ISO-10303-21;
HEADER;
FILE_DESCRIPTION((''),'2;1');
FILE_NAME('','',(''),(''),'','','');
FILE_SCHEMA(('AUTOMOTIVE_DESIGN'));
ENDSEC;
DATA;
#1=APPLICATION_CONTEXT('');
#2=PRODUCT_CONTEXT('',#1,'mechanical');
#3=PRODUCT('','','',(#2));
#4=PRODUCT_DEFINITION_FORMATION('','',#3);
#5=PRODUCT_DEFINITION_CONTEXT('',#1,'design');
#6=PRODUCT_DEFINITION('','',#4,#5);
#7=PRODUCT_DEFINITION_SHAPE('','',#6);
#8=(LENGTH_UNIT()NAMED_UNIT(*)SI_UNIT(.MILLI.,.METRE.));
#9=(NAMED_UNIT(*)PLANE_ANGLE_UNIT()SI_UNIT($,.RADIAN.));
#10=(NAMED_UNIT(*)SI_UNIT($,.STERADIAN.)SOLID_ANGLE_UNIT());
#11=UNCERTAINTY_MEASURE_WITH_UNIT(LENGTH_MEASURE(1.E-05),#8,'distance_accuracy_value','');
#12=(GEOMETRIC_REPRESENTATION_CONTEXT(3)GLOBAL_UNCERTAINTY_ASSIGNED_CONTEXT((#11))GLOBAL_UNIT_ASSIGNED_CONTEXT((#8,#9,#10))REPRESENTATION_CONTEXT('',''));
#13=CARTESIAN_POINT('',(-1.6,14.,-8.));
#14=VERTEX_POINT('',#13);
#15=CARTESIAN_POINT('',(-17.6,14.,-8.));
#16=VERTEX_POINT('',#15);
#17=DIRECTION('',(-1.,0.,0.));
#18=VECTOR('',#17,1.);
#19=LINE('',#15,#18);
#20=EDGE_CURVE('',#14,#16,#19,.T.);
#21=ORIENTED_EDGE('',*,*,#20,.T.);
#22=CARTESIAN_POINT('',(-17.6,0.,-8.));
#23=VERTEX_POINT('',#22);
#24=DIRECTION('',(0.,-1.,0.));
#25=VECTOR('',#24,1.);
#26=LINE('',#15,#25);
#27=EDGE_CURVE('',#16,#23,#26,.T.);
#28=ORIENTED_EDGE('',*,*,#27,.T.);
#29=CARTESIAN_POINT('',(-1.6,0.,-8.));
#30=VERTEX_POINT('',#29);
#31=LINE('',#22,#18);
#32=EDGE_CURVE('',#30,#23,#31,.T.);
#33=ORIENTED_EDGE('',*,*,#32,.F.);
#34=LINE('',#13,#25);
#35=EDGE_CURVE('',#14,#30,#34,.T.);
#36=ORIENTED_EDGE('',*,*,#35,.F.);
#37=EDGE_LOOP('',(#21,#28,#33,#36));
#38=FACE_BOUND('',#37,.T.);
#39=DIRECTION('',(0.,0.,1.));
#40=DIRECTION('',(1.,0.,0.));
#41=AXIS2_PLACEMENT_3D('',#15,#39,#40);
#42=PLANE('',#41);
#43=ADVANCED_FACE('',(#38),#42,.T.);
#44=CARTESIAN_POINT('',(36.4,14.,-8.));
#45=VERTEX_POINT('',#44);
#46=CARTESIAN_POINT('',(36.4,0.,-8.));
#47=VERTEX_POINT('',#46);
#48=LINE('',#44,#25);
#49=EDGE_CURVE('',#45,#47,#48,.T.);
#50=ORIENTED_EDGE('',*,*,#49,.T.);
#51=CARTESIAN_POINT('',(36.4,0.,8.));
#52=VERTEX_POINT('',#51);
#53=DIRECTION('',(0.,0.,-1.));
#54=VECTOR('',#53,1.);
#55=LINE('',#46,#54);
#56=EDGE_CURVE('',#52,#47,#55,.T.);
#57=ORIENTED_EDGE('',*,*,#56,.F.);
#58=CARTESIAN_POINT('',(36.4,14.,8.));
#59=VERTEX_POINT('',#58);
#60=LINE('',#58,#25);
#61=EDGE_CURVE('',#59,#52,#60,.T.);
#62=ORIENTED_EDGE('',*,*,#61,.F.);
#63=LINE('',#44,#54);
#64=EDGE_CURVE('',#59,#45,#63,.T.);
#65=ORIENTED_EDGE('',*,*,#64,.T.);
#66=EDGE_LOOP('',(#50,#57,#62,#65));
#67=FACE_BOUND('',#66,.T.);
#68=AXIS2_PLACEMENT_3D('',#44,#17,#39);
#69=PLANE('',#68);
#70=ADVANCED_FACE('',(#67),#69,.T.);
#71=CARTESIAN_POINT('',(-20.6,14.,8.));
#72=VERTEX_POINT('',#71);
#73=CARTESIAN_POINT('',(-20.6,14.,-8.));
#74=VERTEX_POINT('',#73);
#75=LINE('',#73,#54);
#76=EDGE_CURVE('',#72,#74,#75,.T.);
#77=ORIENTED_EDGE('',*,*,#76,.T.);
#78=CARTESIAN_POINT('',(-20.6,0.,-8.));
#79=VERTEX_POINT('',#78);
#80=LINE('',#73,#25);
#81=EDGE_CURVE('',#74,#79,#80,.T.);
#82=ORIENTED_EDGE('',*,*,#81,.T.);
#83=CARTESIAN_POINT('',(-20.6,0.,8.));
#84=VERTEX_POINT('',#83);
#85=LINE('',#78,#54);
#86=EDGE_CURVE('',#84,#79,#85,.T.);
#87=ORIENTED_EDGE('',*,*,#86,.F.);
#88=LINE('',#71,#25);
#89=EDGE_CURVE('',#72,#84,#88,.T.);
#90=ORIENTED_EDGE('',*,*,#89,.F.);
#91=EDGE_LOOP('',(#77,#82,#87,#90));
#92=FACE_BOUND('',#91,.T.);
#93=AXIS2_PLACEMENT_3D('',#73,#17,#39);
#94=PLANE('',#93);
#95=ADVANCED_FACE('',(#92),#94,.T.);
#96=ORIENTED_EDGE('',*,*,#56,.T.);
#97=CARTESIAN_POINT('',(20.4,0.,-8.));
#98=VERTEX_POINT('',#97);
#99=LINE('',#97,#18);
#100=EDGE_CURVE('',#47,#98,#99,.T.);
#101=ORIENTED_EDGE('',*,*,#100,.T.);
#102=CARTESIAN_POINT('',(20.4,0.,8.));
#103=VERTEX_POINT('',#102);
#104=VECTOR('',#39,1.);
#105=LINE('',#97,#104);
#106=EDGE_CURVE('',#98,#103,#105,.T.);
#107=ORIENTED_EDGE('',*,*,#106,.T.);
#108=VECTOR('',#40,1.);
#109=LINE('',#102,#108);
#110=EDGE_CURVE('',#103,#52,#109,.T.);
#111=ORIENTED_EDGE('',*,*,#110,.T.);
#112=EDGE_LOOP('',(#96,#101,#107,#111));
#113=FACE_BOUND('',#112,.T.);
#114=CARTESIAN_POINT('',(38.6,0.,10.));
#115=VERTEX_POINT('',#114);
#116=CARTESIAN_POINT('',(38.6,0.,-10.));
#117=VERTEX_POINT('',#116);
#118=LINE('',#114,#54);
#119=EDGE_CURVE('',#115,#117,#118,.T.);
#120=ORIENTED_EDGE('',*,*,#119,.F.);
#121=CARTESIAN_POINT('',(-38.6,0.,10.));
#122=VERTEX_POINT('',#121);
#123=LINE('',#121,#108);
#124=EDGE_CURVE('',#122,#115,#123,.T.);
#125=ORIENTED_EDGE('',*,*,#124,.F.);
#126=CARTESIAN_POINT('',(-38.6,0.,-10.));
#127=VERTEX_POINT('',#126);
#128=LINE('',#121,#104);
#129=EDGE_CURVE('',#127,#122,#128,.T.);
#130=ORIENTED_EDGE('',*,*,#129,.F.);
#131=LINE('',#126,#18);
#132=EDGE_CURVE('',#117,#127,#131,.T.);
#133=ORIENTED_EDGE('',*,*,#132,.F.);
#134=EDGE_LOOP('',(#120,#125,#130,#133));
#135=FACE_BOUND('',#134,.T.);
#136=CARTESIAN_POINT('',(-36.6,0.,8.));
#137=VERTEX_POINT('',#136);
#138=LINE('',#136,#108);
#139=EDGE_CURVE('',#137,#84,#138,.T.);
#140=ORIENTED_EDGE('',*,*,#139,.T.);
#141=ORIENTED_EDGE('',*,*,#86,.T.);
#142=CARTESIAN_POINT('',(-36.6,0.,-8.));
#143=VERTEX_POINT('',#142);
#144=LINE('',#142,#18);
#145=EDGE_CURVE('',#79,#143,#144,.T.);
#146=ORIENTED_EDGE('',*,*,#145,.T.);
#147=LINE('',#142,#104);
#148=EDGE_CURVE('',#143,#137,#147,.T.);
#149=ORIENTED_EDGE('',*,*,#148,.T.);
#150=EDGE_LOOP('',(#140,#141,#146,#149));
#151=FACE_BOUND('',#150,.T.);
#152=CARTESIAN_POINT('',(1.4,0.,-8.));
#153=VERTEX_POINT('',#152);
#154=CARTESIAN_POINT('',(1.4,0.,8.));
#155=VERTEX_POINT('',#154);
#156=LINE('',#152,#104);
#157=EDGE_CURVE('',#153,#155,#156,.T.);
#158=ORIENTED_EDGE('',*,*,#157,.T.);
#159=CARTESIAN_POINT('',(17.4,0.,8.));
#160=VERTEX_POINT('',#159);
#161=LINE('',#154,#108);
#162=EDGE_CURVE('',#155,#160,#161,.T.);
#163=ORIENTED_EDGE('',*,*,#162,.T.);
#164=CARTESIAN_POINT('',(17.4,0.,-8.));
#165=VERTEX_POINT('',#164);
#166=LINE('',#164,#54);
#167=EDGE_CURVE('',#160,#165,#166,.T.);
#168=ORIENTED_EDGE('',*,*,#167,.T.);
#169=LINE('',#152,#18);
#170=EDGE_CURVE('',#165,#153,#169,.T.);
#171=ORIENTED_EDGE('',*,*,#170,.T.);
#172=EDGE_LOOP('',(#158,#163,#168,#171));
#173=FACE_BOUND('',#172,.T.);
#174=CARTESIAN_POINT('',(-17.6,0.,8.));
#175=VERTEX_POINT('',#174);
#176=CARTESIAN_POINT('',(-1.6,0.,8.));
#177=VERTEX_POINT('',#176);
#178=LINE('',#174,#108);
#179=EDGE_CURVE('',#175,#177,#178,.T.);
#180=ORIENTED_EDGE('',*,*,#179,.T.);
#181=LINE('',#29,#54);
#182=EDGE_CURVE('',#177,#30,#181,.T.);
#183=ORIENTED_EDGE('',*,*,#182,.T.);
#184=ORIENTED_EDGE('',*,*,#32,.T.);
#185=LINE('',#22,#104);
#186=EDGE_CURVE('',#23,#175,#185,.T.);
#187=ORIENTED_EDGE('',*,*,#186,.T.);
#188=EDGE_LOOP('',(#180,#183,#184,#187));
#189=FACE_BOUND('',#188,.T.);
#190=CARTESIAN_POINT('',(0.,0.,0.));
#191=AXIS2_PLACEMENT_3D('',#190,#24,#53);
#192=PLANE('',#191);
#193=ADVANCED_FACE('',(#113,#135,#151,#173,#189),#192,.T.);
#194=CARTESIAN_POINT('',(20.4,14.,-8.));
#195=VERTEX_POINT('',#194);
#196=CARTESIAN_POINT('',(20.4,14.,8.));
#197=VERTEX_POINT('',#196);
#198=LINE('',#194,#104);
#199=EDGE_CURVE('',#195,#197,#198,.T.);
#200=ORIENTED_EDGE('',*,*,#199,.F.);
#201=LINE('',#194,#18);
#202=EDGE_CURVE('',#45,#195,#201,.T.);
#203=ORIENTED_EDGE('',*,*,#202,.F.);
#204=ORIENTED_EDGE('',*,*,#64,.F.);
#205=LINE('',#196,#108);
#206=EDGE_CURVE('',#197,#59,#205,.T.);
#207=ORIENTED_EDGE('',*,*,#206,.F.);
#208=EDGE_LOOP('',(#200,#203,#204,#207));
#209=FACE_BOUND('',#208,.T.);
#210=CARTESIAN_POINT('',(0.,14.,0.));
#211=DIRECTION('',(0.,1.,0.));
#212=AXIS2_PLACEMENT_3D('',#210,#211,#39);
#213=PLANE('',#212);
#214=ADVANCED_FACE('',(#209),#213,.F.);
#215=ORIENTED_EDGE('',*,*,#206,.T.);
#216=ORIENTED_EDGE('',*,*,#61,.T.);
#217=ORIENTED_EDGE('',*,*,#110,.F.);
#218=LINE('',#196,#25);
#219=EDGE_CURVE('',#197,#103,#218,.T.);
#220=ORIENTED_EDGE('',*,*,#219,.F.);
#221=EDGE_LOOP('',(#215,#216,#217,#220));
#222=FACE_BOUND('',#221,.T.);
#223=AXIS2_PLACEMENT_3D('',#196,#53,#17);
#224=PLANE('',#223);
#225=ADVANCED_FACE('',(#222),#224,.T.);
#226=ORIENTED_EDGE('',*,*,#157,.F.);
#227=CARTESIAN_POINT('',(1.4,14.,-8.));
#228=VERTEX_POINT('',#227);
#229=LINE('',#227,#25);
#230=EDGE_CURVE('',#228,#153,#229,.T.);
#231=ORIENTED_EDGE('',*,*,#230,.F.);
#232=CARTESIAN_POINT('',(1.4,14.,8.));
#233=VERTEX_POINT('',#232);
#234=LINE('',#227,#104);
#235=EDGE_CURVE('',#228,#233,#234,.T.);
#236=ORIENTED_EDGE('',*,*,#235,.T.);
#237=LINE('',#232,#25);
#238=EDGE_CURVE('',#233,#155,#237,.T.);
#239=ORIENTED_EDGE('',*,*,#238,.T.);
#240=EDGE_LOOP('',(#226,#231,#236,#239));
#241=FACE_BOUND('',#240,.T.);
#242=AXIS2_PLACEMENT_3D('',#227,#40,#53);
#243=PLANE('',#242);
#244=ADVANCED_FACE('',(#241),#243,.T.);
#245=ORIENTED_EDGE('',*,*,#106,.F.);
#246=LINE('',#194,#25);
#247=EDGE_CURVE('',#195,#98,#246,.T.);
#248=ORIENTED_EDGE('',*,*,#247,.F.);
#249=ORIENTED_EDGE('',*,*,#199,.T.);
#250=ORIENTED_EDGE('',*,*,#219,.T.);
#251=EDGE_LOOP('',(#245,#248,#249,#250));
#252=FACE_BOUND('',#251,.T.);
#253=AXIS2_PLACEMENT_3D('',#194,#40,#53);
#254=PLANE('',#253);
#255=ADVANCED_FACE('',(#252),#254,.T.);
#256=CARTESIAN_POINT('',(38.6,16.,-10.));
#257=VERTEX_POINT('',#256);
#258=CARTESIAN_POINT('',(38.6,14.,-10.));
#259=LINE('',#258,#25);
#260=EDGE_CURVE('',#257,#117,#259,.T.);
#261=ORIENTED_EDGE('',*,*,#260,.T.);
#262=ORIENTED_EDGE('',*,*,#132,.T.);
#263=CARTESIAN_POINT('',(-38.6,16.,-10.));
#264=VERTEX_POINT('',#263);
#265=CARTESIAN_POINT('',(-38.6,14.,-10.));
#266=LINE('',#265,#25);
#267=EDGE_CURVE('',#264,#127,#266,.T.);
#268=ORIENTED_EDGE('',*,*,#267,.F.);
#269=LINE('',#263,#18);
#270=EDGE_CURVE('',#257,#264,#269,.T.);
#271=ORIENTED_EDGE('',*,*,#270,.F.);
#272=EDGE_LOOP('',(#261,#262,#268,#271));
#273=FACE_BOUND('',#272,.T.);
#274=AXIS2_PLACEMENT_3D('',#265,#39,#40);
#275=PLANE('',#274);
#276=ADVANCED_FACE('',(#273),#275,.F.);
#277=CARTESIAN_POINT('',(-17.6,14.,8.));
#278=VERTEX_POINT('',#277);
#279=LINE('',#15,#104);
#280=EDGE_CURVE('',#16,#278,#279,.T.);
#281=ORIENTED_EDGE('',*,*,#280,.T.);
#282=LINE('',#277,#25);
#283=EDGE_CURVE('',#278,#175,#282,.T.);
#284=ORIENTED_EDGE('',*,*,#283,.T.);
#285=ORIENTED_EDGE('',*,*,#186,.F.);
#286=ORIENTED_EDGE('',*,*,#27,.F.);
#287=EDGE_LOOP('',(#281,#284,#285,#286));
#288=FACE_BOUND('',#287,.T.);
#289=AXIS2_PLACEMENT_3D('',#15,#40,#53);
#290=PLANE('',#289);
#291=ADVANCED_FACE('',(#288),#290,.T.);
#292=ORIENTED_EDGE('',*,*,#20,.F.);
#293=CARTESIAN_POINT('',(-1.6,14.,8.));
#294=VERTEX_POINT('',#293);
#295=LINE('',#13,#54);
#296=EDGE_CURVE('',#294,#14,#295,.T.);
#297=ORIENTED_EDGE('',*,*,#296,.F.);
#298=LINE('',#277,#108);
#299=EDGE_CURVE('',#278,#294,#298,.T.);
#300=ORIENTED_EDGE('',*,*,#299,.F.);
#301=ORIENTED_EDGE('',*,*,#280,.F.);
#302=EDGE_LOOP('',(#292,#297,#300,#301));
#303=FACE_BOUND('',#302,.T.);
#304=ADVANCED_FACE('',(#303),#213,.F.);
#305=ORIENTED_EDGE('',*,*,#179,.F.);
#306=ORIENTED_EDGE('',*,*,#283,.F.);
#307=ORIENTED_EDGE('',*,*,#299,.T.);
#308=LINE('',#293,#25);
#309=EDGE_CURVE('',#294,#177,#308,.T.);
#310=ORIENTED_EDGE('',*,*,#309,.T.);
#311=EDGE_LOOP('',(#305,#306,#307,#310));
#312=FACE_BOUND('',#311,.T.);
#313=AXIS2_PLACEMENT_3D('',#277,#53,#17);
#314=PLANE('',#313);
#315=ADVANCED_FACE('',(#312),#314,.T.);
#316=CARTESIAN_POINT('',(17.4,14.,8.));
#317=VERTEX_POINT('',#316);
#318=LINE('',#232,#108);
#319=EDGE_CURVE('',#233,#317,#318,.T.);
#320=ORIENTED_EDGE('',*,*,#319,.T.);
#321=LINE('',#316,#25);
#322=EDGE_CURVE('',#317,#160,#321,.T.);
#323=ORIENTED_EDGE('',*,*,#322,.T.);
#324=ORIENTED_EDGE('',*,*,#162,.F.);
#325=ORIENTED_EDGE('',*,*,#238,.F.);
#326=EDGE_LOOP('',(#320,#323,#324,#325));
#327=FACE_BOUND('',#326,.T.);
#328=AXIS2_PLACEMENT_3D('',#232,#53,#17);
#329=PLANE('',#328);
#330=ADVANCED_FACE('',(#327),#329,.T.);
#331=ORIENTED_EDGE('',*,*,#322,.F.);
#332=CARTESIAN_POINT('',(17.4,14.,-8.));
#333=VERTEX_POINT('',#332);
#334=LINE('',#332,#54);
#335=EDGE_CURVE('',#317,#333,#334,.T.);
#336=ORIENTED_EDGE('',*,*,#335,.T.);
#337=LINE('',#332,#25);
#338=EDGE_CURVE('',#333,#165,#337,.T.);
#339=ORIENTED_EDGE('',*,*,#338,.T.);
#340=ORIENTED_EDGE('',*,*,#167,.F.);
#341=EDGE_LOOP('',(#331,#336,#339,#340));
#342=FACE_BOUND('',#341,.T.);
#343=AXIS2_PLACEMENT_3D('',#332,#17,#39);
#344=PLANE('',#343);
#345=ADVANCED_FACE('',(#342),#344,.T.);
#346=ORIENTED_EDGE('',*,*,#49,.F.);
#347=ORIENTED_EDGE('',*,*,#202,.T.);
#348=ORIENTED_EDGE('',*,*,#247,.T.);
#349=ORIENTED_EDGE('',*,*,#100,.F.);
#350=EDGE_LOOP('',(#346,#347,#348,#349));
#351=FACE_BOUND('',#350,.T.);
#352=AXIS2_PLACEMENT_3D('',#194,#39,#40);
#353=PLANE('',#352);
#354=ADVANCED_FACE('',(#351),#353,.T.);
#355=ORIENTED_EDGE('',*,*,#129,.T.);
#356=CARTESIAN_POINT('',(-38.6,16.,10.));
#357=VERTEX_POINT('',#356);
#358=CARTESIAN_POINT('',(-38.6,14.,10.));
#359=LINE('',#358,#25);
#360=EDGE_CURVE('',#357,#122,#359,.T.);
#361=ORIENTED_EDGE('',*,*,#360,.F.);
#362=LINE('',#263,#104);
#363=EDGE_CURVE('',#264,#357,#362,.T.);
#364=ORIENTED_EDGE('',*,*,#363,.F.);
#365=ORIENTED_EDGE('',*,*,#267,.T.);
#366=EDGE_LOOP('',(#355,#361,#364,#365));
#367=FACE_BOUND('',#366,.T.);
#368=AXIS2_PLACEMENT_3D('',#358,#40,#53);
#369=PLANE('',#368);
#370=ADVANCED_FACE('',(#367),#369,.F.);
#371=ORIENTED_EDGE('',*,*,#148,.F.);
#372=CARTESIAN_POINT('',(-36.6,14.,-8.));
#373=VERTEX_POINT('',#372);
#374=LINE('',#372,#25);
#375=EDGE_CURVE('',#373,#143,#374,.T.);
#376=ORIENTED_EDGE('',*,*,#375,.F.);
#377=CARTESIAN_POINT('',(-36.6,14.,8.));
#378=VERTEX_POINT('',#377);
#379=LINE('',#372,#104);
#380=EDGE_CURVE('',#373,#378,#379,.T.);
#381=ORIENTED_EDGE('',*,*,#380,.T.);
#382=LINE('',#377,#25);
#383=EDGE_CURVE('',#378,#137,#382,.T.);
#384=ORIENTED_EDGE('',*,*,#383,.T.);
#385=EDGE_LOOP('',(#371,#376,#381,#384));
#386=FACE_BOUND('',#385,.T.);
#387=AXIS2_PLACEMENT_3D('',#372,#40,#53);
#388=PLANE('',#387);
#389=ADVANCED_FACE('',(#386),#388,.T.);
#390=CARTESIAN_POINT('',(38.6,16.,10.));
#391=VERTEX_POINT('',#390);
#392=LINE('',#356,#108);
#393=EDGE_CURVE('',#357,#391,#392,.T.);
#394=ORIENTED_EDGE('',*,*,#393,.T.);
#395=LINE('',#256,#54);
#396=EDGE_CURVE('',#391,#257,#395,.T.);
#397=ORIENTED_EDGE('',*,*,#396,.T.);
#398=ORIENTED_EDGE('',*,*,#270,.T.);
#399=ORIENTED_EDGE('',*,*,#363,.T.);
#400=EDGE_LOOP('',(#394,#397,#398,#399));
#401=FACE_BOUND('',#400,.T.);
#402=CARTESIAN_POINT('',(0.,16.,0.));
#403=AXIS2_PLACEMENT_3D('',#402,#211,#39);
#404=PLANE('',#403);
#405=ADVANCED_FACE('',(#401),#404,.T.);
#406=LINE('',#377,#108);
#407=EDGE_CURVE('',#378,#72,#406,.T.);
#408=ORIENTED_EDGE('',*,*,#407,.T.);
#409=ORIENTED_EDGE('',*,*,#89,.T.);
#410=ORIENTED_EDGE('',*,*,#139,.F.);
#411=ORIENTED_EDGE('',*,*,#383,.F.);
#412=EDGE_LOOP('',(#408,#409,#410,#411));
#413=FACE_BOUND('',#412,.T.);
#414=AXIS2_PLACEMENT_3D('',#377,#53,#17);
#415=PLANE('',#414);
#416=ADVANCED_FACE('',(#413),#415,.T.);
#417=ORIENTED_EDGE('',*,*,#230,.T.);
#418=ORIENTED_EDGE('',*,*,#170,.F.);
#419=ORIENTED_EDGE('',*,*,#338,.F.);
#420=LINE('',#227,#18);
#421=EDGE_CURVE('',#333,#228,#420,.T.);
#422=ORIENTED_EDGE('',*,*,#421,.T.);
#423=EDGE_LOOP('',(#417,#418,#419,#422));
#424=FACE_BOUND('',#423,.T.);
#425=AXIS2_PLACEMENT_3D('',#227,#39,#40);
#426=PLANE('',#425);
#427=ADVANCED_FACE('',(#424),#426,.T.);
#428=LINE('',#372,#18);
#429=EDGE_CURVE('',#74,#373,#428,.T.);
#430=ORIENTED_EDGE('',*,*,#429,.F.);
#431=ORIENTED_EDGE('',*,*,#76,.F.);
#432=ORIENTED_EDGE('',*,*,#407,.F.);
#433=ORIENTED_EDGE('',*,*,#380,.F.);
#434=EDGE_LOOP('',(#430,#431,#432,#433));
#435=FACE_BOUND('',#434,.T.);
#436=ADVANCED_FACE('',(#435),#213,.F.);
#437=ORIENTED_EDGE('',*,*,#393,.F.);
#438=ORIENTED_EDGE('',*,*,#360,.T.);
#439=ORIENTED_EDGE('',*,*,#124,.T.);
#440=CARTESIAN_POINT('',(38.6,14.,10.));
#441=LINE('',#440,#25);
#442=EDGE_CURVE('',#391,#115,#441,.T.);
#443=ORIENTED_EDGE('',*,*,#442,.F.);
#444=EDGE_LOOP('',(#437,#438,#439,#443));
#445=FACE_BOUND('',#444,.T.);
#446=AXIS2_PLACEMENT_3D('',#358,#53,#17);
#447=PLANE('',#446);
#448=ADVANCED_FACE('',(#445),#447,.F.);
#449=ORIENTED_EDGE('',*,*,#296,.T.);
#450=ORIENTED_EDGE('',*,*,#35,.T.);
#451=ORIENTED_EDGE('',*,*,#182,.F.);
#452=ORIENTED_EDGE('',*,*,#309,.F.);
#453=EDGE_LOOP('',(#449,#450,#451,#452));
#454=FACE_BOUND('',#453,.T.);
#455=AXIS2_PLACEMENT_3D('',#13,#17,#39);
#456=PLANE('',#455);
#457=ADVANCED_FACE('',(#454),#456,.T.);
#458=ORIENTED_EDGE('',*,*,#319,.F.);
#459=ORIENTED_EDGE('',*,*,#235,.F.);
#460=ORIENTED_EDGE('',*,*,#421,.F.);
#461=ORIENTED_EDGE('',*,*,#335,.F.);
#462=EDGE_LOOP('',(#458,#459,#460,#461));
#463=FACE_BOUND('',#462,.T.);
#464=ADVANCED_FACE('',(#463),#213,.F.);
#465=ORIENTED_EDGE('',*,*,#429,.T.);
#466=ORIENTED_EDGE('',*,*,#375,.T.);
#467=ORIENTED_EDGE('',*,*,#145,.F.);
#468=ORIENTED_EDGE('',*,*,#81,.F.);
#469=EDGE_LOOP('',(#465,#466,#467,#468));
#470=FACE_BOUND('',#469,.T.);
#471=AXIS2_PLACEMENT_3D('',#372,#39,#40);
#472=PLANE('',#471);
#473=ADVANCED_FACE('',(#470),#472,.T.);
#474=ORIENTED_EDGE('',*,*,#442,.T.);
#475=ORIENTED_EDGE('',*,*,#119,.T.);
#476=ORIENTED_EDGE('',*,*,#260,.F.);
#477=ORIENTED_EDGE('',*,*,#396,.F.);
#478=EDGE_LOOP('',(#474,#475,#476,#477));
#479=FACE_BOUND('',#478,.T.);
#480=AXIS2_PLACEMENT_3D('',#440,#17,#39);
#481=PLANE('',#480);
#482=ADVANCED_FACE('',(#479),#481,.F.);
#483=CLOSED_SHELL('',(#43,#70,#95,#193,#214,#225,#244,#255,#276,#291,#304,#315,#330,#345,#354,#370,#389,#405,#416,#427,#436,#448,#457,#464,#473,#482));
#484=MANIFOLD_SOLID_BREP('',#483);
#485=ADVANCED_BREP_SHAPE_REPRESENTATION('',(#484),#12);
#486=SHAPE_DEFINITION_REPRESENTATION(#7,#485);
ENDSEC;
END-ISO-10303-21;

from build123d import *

# Parameters (mm, degrees)
SKETCH1_W           = 77.2
SKETCH1_H           = 20
SKETCH1_W_2         = 16
SKETCH1_H_2         = 16
BOSS_EXTRUDE1_DEPTH = 14
SKETCH2_W           = 77.2
SKETCH2_H           = 20
BOSS_EXTRUDE2_DEPTH = 2


with BuildPart() as part:
    # Sketch1 → Boss-Extrude1 (new body)
    with BuildSketch(Plane(origin=(0, 0, 0), x_dir=(1, 0, 0), z_dir=(0, 1, 0))):
        Rectangle(SKETCH1_W, SKETCH1_H)
        with Locations((-9.6, 0)):
            Rectangle(SKETCH1_W_2, SKETCH1_H_2, mode=Mode.SUBTRACT)
        with Locations((-28.6, 0)):
            Rectangle(SKETCH1_W_2, SKETCH1_H_2, mode=Mode.SUBTRACT)
        with Locations((9.4, 0)):
            Rectangle(SKETCH1_W_2, SKETCH1_H_2, mode=Mode.SUBTRACT)
        with Locations((28.4, 0)):
            Rectangle(SKETCH1_W_2, SKETCH1_H_2, mode=Mode.SUBTRACT)
    extrude(amount=BOSS_EXTRUDE1_DEPTH)

    # Sketch2 → Boss-Extrude2 (add)
    with BuildSketch(Plane(origin=(0, 14, 0), x_dir=(1, 0, 0), z_dir=(0, 1, 0))):
        Rectangle(SKETCH2_W, SKETCH2_H)
    extrude(amount=BOSS_EXTRUDE2_DEPTH)


solid = part.part
